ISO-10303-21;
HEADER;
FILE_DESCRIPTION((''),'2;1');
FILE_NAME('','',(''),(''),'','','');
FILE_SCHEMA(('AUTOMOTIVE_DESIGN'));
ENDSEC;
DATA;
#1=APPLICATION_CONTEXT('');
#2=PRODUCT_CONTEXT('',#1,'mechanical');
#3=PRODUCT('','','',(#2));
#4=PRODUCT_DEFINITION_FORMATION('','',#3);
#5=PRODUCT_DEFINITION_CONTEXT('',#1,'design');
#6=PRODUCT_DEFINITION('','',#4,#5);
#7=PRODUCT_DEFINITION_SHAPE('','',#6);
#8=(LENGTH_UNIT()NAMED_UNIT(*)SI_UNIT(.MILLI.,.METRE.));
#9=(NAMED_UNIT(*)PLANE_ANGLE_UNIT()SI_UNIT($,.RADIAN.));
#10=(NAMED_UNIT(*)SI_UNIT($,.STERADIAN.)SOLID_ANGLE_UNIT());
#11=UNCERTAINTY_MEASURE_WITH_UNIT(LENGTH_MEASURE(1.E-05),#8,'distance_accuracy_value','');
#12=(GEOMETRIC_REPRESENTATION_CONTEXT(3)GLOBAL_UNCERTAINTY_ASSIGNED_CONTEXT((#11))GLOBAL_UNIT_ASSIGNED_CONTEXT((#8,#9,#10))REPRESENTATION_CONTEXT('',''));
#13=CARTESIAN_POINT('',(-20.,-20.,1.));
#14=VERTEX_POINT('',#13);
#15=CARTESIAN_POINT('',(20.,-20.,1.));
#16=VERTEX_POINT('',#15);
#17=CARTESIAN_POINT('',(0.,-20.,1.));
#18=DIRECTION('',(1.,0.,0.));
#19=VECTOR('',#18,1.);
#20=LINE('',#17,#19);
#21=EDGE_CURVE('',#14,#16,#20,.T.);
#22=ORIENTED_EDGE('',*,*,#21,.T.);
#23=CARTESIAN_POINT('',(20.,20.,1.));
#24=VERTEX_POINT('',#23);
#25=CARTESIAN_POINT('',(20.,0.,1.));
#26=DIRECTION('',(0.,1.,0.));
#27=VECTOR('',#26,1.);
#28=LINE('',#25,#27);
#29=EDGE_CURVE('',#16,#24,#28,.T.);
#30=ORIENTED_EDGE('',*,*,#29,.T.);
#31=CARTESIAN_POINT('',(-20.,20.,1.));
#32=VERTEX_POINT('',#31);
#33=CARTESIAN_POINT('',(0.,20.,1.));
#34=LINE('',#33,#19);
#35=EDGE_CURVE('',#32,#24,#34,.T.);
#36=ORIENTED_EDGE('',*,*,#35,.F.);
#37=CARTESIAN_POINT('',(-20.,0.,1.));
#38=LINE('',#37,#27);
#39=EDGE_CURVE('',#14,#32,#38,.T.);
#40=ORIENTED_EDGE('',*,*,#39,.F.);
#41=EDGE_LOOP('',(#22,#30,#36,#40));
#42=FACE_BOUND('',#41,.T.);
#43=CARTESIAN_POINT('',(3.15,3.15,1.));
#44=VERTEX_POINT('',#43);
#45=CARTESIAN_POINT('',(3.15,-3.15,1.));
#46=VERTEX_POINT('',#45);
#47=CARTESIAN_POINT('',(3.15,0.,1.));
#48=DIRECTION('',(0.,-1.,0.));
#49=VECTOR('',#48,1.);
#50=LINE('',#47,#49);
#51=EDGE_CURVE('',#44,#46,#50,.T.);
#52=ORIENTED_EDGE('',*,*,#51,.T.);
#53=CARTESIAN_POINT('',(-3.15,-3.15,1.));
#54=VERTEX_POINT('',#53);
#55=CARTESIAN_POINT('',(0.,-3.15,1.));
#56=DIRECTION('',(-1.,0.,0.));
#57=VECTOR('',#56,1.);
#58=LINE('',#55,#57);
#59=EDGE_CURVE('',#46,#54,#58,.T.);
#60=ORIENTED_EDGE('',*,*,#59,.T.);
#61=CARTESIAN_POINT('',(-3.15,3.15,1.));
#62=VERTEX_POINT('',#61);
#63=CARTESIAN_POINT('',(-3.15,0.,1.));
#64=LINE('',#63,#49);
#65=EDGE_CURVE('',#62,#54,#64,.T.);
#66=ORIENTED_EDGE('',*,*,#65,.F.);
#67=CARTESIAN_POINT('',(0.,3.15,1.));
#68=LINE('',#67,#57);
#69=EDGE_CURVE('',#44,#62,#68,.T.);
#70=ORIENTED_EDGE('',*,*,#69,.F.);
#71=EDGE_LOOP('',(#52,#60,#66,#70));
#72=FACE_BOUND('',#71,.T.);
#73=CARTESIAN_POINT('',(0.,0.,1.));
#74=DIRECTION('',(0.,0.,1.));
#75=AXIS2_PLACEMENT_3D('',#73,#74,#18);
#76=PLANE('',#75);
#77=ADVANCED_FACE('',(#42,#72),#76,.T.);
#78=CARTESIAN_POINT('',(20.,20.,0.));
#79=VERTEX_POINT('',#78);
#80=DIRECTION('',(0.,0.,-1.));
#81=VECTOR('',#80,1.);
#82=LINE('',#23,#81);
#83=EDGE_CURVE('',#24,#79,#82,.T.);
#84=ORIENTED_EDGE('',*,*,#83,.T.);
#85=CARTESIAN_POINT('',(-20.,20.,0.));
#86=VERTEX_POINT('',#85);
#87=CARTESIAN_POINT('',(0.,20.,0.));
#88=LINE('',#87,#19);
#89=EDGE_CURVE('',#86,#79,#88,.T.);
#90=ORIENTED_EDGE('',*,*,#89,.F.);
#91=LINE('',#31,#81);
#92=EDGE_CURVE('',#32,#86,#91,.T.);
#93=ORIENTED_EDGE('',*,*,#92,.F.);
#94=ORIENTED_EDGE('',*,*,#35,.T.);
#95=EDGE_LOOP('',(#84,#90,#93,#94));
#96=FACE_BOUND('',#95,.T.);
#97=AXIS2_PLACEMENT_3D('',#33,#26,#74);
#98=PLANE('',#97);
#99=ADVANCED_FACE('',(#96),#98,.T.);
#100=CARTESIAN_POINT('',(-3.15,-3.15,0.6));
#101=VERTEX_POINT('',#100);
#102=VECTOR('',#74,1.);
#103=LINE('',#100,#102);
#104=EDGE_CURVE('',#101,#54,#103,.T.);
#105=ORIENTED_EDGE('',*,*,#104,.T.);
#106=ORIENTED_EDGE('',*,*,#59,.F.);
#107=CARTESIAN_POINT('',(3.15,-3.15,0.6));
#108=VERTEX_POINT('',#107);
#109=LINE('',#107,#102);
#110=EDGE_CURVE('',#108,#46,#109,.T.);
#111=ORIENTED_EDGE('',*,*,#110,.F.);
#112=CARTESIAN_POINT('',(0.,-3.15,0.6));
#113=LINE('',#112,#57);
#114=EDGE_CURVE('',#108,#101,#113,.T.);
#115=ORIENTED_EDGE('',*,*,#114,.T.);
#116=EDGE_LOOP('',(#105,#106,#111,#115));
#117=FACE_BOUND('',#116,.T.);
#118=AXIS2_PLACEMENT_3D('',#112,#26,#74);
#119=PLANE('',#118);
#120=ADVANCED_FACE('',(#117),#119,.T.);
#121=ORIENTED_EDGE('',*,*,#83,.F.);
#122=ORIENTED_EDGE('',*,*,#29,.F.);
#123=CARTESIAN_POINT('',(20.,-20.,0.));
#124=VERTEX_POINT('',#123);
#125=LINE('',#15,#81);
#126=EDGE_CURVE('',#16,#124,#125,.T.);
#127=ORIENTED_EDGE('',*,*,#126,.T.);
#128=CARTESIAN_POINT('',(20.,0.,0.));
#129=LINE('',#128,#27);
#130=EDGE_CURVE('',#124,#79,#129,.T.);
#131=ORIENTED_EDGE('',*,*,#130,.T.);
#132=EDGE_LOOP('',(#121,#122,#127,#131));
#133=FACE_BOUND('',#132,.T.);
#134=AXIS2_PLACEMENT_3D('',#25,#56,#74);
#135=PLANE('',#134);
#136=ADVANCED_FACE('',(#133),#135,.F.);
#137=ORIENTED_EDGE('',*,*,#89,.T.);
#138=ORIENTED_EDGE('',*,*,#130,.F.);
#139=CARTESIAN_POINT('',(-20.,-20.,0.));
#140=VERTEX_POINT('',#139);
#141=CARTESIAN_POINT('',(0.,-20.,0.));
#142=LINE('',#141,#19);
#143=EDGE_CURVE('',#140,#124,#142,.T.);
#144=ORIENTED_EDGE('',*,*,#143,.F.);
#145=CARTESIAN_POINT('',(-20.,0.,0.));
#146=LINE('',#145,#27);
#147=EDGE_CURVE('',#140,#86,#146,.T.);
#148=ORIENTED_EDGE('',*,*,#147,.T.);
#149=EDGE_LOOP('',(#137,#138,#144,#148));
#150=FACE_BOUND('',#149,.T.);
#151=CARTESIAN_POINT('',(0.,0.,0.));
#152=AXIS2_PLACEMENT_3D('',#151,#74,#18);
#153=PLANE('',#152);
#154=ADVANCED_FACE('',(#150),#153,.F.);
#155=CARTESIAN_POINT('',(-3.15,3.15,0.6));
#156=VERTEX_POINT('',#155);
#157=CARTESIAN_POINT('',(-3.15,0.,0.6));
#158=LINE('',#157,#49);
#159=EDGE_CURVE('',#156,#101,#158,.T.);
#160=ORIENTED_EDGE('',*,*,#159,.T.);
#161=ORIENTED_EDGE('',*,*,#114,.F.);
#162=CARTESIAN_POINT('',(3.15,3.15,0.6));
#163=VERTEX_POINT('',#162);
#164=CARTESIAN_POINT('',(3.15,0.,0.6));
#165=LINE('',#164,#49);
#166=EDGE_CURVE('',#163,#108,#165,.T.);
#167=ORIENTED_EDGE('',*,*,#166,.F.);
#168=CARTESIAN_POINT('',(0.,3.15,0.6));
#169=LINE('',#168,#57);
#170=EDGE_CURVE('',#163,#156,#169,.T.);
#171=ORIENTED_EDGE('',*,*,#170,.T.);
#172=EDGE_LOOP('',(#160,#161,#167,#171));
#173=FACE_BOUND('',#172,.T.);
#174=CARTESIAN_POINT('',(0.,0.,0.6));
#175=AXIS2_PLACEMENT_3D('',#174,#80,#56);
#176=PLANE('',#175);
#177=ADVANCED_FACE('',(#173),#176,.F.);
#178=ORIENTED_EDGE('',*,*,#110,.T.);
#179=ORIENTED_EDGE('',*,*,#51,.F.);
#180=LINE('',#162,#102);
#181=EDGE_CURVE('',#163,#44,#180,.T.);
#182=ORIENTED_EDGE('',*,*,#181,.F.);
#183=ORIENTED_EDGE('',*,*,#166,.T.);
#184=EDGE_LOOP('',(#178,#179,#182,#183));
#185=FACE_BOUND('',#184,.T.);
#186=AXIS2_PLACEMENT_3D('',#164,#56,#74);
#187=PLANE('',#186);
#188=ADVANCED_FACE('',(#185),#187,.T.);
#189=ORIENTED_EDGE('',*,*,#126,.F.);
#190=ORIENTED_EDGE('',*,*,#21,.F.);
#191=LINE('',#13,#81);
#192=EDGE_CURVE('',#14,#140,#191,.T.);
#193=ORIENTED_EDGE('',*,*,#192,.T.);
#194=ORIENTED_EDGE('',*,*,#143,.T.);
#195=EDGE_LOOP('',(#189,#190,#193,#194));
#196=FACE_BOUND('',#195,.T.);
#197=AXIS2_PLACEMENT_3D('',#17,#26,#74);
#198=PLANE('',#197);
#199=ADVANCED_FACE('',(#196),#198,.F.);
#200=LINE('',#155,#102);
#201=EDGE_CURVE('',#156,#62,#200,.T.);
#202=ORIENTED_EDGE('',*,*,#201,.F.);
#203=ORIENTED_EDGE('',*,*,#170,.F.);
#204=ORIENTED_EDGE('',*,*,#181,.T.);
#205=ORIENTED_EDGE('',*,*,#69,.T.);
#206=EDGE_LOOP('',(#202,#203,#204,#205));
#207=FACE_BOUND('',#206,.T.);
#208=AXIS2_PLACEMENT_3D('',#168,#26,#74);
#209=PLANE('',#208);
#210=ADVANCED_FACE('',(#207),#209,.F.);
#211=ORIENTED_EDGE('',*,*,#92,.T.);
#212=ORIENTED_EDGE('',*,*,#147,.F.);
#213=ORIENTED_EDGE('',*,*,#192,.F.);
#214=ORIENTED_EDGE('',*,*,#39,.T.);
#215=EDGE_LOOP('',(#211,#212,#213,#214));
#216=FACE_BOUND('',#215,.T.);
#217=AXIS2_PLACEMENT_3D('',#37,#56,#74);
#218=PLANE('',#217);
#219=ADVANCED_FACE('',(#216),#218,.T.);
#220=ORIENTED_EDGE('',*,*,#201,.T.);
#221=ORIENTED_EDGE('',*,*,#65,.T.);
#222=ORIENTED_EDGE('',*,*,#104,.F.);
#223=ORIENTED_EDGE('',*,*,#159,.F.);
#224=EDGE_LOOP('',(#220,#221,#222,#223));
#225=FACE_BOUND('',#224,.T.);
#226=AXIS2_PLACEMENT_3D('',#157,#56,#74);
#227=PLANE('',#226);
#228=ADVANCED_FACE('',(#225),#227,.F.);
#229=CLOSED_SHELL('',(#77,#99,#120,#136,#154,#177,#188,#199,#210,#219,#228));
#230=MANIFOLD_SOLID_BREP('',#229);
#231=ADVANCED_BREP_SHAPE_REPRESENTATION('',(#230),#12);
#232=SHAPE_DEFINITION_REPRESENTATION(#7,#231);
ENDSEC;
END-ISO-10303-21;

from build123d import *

# Parameters (mm, degrees)
SKETCH1_W           = 40
SKETCH1_H           = 40
SKETCH1_W_2         = 6.3
SKETCH1_H_2         = 6.3
BOSS_EXTRUDE1_DEPTH = 1
PCB_START           = 1
SKETCH1_3_W         = 6.3
SKETCH1_3_H         = 6.3
PCB_DEPTH           = 0.4


with BuildPart() as part:
    # Sketch1 → Boss-Extrude1 (new body)
    # profile 1 of 2: a face of its own
    with BuildSketch(Plane.XY):
        Rectangle(SKETCH1_W, SKETCH1_H)
        Rectangle(SKETCH1_W_2, SKETCH1_H_2, mode=Mode.SUBTRACT)
    # profile 2 of 2: a face of its own
    with BuildSketch(Plane.XY):
        Rectangle(SKETCH1_W_2, SKETCH1_H_2)
    extrude(amount=BOSS_EXTRUDE1_DEPTH)

    # Sketch1<3> → PCB (cut)
    with BuildSketch(Plane.XY.offset(PCB_START)):
        Rectangle(SKETCH1_3_W, SKETCH1_3_H)
    extrude(amount=-PCB_DEPTH, mode=Mode.SUBTRACT)


solid = part.part
